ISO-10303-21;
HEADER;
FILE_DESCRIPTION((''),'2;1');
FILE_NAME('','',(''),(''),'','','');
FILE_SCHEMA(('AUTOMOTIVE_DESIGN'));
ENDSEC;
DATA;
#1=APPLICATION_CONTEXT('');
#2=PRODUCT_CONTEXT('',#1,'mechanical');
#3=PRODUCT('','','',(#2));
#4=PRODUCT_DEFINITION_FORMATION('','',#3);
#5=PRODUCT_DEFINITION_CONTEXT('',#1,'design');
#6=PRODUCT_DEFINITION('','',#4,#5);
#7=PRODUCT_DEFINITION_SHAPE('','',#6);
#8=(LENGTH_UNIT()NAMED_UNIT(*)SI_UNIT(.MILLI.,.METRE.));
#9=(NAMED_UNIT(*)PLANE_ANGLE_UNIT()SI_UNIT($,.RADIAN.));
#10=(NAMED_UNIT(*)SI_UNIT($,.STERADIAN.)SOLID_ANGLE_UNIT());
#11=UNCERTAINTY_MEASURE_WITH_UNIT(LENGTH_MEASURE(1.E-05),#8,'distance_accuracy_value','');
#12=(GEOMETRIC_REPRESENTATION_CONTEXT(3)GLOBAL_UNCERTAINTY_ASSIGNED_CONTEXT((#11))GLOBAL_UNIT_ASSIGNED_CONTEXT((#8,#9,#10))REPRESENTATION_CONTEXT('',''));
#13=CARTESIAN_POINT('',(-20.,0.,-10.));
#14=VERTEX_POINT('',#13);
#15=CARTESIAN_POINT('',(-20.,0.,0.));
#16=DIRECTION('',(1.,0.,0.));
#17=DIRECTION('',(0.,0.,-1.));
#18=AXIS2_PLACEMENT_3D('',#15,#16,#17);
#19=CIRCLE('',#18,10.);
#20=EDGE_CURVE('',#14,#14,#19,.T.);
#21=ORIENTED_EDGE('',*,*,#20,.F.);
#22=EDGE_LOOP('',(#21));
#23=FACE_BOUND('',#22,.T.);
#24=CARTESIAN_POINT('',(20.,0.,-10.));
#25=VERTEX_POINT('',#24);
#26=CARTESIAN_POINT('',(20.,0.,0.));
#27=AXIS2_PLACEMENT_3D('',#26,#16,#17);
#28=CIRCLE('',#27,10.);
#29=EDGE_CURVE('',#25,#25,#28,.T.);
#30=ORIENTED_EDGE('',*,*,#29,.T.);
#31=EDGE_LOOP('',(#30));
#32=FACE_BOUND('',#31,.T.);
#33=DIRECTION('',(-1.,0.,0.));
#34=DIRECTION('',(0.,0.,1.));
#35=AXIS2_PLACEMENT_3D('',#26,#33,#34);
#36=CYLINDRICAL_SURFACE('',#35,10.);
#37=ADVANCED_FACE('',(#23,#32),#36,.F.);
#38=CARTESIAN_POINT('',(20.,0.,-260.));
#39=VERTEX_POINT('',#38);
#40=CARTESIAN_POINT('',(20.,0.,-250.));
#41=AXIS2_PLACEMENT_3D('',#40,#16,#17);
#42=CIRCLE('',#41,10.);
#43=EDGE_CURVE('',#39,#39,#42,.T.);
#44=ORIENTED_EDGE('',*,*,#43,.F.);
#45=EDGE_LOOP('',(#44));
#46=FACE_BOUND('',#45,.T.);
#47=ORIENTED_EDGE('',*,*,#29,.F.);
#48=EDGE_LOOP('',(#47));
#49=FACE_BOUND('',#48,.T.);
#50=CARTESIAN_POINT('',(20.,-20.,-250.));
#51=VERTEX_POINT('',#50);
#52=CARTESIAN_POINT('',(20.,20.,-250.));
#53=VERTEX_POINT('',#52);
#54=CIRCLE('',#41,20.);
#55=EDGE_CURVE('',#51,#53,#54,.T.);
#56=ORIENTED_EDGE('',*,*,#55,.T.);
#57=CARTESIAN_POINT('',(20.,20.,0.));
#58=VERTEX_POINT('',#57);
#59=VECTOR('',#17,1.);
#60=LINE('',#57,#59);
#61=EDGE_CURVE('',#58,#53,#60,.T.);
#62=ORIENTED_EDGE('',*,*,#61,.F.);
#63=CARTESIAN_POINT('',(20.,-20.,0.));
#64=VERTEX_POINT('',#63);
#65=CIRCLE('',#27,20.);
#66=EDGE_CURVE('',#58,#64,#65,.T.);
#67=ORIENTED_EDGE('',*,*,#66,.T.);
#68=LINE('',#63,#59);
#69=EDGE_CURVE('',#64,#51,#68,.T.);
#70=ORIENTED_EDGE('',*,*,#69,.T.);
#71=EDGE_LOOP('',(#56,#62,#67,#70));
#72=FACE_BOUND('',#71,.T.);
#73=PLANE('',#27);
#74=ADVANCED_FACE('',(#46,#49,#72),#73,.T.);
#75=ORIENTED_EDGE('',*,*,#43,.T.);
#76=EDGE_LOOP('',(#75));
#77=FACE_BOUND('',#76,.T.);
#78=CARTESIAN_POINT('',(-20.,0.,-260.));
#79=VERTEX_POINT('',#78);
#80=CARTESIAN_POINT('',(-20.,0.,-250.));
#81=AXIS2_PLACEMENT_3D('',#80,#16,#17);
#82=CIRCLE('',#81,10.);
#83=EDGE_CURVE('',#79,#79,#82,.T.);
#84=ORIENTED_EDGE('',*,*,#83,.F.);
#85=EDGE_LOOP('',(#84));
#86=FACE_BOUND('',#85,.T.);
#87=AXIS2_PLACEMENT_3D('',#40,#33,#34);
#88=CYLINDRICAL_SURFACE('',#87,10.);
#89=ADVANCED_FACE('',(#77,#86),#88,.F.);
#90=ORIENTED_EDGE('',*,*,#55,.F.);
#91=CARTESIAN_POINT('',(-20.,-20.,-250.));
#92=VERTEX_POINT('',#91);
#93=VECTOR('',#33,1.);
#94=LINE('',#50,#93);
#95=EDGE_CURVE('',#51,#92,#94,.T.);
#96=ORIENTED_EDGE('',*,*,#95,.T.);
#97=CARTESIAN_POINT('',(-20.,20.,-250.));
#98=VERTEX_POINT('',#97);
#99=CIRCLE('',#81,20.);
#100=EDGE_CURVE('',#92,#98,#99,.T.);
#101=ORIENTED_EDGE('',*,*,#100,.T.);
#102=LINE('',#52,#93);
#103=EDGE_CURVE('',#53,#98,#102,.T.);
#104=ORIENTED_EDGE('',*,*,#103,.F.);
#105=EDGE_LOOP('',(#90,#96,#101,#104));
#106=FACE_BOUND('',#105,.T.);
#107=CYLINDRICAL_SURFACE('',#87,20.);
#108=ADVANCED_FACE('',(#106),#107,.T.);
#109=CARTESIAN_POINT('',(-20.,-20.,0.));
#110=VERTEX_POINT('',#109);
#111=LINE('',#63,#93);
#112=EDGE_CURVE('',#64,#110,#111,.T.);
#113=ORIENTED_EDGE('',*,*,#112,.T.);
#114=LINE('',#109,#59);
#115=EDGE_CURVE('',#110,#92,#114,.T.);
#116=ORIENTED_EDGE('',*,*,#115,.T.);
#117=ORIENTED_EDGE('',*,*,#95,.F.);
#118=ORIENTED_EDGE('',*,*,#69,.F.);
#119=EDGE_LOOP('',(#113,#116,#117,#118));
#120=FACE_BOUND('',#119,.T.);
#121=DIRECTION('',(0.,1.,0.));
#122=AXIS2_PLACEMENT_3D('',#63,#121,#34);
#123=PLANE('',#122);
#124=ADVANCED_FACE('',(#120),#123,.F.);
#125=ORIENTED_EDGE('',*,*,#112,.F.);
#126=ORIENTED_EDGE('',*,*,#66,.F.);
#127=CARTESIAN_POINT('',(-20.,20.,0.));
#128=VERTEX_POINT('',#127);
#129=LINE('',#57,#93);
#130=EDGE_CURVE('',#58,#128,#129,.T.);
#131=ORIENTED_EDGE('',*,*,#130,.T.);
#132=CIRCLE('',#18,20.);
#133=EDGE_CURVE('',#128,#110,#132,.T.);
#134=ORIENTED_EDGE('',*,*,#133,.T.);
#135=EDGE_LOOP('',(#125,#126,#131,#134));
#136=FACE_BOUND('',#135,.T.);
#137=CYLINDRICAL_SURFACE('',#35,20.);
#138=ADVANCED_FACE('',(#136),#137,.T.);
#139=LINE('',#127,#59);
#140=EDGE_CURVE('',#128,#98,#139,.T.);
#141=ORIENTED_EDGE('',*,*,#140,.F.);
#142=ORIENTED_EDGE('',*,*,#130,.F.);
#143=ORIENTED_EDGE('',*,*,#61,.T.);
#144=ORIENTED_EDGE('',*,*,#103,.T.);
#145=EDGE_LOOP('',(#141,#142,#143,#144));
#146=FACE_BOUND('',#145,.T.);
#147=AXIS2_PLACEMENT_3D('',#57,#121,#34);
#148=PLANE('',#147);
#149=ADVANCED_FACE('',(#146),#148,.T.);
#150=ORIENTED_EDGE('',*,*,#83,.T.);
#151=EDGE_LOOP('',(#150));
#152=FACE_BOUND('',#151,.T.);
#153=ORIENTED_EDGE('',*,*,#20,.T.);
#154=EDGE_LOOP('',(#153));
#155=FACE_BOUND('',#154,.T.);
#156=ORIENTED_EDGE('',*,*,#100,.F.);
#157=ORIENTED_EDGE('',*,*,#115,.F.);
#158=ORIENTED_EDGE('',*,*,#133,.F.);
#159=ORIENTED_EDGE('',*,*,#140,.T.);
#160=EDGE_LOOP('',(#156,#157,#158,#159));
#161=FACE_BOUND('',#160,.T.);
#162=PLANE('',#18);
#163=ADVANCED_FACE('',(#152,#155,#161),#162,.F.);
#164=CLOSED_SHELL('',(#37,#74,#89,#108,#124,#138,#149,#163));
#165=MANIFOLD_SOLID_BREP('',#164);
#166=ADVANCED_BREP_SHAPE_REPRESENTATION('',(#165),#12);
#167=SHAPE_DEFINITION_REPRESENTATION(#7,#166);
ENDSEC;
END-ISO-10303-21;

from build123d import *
from build123d.topology import SkipClean

# Parameters (mm, degrees)
BOSS_EXTRUDE1_DEPTH = 20


with BuildPart() as part:
    # Sketch1 → Boss-Extrude1 (new, symmetric)
    with SkipClean():  # the faces are left unmerged after this step: merging them gives an invalid solid
        with BuildSketch(Plane(origin=(0, 0, 0), x_dir=(0, 0, -1), z_dir=(1, 0, 0))):
            with BuildLine():
                ThreePointArc((0, 20), (-20, 0), (0, -20))
                Line((0, -20), (0, -10))
                ThreePointArc((0, -10), (-10, 0), (0, 10))
                Line((0, 10), (0, 20))
            make_face()
            with BuildLine():
                Line((0, -10), (0, -20))
                ThreePointArc((0, -20), (14.142135624, -14.142135624), (20, 0))
                ThreePointArc((20, 0), (14.142135624, 14.142135624), (0, 20))
                Line((0, 20), (0, 10))
                ThreePointArc((0, 10), (7.071067812, 7.071067812), (10, 0))
                ThreePointArc((10, 0), (7.071067812, -7.071067812), (0, -10))
            make_face()
            with BuildLine():
                ThreePointArc((20, 0), (14.142135624, -14.142135624), (0, -20))
                Line((0, -20), (250, -20))
                ThreePointArc((250, -20), (230, 0), (250, 20))
                Line((250, 20), (0, 20))
                ThreePointArc((0, 20), (14.142135624, 14.142135624), (20, 0))
            make_face()
            with BuildLine():
                ThreePointArc((250, 20), (230, 0), (250, -20))
                Line((250, -20), (250, -10))
                ThreePointArc((250, -10), (240, 0), (250, 10))
                Line((250, 10), (250, 20))
            make_face()
            with BuildLine():
                Line((250, -10), (250, -20))
                ThreePointArc((250, -20), (264.142135624, -14.142135624), (270, 0))
                ThreePointArc((270, 0), (264.142135624, 14.142135624), (250, 20))
                Line((250, 20), (250, 10))
                ThreePointArc((250, 10), (257.071067812, 7.071067812), (260, 0))
                ThreePointArc((260, 0), (257.071067812, -7.071067812), (250, -10))
            make_face()
        extrude(amount=BOSS_EXTRUDE1_DEPTH, both=True)


solid = part.part
